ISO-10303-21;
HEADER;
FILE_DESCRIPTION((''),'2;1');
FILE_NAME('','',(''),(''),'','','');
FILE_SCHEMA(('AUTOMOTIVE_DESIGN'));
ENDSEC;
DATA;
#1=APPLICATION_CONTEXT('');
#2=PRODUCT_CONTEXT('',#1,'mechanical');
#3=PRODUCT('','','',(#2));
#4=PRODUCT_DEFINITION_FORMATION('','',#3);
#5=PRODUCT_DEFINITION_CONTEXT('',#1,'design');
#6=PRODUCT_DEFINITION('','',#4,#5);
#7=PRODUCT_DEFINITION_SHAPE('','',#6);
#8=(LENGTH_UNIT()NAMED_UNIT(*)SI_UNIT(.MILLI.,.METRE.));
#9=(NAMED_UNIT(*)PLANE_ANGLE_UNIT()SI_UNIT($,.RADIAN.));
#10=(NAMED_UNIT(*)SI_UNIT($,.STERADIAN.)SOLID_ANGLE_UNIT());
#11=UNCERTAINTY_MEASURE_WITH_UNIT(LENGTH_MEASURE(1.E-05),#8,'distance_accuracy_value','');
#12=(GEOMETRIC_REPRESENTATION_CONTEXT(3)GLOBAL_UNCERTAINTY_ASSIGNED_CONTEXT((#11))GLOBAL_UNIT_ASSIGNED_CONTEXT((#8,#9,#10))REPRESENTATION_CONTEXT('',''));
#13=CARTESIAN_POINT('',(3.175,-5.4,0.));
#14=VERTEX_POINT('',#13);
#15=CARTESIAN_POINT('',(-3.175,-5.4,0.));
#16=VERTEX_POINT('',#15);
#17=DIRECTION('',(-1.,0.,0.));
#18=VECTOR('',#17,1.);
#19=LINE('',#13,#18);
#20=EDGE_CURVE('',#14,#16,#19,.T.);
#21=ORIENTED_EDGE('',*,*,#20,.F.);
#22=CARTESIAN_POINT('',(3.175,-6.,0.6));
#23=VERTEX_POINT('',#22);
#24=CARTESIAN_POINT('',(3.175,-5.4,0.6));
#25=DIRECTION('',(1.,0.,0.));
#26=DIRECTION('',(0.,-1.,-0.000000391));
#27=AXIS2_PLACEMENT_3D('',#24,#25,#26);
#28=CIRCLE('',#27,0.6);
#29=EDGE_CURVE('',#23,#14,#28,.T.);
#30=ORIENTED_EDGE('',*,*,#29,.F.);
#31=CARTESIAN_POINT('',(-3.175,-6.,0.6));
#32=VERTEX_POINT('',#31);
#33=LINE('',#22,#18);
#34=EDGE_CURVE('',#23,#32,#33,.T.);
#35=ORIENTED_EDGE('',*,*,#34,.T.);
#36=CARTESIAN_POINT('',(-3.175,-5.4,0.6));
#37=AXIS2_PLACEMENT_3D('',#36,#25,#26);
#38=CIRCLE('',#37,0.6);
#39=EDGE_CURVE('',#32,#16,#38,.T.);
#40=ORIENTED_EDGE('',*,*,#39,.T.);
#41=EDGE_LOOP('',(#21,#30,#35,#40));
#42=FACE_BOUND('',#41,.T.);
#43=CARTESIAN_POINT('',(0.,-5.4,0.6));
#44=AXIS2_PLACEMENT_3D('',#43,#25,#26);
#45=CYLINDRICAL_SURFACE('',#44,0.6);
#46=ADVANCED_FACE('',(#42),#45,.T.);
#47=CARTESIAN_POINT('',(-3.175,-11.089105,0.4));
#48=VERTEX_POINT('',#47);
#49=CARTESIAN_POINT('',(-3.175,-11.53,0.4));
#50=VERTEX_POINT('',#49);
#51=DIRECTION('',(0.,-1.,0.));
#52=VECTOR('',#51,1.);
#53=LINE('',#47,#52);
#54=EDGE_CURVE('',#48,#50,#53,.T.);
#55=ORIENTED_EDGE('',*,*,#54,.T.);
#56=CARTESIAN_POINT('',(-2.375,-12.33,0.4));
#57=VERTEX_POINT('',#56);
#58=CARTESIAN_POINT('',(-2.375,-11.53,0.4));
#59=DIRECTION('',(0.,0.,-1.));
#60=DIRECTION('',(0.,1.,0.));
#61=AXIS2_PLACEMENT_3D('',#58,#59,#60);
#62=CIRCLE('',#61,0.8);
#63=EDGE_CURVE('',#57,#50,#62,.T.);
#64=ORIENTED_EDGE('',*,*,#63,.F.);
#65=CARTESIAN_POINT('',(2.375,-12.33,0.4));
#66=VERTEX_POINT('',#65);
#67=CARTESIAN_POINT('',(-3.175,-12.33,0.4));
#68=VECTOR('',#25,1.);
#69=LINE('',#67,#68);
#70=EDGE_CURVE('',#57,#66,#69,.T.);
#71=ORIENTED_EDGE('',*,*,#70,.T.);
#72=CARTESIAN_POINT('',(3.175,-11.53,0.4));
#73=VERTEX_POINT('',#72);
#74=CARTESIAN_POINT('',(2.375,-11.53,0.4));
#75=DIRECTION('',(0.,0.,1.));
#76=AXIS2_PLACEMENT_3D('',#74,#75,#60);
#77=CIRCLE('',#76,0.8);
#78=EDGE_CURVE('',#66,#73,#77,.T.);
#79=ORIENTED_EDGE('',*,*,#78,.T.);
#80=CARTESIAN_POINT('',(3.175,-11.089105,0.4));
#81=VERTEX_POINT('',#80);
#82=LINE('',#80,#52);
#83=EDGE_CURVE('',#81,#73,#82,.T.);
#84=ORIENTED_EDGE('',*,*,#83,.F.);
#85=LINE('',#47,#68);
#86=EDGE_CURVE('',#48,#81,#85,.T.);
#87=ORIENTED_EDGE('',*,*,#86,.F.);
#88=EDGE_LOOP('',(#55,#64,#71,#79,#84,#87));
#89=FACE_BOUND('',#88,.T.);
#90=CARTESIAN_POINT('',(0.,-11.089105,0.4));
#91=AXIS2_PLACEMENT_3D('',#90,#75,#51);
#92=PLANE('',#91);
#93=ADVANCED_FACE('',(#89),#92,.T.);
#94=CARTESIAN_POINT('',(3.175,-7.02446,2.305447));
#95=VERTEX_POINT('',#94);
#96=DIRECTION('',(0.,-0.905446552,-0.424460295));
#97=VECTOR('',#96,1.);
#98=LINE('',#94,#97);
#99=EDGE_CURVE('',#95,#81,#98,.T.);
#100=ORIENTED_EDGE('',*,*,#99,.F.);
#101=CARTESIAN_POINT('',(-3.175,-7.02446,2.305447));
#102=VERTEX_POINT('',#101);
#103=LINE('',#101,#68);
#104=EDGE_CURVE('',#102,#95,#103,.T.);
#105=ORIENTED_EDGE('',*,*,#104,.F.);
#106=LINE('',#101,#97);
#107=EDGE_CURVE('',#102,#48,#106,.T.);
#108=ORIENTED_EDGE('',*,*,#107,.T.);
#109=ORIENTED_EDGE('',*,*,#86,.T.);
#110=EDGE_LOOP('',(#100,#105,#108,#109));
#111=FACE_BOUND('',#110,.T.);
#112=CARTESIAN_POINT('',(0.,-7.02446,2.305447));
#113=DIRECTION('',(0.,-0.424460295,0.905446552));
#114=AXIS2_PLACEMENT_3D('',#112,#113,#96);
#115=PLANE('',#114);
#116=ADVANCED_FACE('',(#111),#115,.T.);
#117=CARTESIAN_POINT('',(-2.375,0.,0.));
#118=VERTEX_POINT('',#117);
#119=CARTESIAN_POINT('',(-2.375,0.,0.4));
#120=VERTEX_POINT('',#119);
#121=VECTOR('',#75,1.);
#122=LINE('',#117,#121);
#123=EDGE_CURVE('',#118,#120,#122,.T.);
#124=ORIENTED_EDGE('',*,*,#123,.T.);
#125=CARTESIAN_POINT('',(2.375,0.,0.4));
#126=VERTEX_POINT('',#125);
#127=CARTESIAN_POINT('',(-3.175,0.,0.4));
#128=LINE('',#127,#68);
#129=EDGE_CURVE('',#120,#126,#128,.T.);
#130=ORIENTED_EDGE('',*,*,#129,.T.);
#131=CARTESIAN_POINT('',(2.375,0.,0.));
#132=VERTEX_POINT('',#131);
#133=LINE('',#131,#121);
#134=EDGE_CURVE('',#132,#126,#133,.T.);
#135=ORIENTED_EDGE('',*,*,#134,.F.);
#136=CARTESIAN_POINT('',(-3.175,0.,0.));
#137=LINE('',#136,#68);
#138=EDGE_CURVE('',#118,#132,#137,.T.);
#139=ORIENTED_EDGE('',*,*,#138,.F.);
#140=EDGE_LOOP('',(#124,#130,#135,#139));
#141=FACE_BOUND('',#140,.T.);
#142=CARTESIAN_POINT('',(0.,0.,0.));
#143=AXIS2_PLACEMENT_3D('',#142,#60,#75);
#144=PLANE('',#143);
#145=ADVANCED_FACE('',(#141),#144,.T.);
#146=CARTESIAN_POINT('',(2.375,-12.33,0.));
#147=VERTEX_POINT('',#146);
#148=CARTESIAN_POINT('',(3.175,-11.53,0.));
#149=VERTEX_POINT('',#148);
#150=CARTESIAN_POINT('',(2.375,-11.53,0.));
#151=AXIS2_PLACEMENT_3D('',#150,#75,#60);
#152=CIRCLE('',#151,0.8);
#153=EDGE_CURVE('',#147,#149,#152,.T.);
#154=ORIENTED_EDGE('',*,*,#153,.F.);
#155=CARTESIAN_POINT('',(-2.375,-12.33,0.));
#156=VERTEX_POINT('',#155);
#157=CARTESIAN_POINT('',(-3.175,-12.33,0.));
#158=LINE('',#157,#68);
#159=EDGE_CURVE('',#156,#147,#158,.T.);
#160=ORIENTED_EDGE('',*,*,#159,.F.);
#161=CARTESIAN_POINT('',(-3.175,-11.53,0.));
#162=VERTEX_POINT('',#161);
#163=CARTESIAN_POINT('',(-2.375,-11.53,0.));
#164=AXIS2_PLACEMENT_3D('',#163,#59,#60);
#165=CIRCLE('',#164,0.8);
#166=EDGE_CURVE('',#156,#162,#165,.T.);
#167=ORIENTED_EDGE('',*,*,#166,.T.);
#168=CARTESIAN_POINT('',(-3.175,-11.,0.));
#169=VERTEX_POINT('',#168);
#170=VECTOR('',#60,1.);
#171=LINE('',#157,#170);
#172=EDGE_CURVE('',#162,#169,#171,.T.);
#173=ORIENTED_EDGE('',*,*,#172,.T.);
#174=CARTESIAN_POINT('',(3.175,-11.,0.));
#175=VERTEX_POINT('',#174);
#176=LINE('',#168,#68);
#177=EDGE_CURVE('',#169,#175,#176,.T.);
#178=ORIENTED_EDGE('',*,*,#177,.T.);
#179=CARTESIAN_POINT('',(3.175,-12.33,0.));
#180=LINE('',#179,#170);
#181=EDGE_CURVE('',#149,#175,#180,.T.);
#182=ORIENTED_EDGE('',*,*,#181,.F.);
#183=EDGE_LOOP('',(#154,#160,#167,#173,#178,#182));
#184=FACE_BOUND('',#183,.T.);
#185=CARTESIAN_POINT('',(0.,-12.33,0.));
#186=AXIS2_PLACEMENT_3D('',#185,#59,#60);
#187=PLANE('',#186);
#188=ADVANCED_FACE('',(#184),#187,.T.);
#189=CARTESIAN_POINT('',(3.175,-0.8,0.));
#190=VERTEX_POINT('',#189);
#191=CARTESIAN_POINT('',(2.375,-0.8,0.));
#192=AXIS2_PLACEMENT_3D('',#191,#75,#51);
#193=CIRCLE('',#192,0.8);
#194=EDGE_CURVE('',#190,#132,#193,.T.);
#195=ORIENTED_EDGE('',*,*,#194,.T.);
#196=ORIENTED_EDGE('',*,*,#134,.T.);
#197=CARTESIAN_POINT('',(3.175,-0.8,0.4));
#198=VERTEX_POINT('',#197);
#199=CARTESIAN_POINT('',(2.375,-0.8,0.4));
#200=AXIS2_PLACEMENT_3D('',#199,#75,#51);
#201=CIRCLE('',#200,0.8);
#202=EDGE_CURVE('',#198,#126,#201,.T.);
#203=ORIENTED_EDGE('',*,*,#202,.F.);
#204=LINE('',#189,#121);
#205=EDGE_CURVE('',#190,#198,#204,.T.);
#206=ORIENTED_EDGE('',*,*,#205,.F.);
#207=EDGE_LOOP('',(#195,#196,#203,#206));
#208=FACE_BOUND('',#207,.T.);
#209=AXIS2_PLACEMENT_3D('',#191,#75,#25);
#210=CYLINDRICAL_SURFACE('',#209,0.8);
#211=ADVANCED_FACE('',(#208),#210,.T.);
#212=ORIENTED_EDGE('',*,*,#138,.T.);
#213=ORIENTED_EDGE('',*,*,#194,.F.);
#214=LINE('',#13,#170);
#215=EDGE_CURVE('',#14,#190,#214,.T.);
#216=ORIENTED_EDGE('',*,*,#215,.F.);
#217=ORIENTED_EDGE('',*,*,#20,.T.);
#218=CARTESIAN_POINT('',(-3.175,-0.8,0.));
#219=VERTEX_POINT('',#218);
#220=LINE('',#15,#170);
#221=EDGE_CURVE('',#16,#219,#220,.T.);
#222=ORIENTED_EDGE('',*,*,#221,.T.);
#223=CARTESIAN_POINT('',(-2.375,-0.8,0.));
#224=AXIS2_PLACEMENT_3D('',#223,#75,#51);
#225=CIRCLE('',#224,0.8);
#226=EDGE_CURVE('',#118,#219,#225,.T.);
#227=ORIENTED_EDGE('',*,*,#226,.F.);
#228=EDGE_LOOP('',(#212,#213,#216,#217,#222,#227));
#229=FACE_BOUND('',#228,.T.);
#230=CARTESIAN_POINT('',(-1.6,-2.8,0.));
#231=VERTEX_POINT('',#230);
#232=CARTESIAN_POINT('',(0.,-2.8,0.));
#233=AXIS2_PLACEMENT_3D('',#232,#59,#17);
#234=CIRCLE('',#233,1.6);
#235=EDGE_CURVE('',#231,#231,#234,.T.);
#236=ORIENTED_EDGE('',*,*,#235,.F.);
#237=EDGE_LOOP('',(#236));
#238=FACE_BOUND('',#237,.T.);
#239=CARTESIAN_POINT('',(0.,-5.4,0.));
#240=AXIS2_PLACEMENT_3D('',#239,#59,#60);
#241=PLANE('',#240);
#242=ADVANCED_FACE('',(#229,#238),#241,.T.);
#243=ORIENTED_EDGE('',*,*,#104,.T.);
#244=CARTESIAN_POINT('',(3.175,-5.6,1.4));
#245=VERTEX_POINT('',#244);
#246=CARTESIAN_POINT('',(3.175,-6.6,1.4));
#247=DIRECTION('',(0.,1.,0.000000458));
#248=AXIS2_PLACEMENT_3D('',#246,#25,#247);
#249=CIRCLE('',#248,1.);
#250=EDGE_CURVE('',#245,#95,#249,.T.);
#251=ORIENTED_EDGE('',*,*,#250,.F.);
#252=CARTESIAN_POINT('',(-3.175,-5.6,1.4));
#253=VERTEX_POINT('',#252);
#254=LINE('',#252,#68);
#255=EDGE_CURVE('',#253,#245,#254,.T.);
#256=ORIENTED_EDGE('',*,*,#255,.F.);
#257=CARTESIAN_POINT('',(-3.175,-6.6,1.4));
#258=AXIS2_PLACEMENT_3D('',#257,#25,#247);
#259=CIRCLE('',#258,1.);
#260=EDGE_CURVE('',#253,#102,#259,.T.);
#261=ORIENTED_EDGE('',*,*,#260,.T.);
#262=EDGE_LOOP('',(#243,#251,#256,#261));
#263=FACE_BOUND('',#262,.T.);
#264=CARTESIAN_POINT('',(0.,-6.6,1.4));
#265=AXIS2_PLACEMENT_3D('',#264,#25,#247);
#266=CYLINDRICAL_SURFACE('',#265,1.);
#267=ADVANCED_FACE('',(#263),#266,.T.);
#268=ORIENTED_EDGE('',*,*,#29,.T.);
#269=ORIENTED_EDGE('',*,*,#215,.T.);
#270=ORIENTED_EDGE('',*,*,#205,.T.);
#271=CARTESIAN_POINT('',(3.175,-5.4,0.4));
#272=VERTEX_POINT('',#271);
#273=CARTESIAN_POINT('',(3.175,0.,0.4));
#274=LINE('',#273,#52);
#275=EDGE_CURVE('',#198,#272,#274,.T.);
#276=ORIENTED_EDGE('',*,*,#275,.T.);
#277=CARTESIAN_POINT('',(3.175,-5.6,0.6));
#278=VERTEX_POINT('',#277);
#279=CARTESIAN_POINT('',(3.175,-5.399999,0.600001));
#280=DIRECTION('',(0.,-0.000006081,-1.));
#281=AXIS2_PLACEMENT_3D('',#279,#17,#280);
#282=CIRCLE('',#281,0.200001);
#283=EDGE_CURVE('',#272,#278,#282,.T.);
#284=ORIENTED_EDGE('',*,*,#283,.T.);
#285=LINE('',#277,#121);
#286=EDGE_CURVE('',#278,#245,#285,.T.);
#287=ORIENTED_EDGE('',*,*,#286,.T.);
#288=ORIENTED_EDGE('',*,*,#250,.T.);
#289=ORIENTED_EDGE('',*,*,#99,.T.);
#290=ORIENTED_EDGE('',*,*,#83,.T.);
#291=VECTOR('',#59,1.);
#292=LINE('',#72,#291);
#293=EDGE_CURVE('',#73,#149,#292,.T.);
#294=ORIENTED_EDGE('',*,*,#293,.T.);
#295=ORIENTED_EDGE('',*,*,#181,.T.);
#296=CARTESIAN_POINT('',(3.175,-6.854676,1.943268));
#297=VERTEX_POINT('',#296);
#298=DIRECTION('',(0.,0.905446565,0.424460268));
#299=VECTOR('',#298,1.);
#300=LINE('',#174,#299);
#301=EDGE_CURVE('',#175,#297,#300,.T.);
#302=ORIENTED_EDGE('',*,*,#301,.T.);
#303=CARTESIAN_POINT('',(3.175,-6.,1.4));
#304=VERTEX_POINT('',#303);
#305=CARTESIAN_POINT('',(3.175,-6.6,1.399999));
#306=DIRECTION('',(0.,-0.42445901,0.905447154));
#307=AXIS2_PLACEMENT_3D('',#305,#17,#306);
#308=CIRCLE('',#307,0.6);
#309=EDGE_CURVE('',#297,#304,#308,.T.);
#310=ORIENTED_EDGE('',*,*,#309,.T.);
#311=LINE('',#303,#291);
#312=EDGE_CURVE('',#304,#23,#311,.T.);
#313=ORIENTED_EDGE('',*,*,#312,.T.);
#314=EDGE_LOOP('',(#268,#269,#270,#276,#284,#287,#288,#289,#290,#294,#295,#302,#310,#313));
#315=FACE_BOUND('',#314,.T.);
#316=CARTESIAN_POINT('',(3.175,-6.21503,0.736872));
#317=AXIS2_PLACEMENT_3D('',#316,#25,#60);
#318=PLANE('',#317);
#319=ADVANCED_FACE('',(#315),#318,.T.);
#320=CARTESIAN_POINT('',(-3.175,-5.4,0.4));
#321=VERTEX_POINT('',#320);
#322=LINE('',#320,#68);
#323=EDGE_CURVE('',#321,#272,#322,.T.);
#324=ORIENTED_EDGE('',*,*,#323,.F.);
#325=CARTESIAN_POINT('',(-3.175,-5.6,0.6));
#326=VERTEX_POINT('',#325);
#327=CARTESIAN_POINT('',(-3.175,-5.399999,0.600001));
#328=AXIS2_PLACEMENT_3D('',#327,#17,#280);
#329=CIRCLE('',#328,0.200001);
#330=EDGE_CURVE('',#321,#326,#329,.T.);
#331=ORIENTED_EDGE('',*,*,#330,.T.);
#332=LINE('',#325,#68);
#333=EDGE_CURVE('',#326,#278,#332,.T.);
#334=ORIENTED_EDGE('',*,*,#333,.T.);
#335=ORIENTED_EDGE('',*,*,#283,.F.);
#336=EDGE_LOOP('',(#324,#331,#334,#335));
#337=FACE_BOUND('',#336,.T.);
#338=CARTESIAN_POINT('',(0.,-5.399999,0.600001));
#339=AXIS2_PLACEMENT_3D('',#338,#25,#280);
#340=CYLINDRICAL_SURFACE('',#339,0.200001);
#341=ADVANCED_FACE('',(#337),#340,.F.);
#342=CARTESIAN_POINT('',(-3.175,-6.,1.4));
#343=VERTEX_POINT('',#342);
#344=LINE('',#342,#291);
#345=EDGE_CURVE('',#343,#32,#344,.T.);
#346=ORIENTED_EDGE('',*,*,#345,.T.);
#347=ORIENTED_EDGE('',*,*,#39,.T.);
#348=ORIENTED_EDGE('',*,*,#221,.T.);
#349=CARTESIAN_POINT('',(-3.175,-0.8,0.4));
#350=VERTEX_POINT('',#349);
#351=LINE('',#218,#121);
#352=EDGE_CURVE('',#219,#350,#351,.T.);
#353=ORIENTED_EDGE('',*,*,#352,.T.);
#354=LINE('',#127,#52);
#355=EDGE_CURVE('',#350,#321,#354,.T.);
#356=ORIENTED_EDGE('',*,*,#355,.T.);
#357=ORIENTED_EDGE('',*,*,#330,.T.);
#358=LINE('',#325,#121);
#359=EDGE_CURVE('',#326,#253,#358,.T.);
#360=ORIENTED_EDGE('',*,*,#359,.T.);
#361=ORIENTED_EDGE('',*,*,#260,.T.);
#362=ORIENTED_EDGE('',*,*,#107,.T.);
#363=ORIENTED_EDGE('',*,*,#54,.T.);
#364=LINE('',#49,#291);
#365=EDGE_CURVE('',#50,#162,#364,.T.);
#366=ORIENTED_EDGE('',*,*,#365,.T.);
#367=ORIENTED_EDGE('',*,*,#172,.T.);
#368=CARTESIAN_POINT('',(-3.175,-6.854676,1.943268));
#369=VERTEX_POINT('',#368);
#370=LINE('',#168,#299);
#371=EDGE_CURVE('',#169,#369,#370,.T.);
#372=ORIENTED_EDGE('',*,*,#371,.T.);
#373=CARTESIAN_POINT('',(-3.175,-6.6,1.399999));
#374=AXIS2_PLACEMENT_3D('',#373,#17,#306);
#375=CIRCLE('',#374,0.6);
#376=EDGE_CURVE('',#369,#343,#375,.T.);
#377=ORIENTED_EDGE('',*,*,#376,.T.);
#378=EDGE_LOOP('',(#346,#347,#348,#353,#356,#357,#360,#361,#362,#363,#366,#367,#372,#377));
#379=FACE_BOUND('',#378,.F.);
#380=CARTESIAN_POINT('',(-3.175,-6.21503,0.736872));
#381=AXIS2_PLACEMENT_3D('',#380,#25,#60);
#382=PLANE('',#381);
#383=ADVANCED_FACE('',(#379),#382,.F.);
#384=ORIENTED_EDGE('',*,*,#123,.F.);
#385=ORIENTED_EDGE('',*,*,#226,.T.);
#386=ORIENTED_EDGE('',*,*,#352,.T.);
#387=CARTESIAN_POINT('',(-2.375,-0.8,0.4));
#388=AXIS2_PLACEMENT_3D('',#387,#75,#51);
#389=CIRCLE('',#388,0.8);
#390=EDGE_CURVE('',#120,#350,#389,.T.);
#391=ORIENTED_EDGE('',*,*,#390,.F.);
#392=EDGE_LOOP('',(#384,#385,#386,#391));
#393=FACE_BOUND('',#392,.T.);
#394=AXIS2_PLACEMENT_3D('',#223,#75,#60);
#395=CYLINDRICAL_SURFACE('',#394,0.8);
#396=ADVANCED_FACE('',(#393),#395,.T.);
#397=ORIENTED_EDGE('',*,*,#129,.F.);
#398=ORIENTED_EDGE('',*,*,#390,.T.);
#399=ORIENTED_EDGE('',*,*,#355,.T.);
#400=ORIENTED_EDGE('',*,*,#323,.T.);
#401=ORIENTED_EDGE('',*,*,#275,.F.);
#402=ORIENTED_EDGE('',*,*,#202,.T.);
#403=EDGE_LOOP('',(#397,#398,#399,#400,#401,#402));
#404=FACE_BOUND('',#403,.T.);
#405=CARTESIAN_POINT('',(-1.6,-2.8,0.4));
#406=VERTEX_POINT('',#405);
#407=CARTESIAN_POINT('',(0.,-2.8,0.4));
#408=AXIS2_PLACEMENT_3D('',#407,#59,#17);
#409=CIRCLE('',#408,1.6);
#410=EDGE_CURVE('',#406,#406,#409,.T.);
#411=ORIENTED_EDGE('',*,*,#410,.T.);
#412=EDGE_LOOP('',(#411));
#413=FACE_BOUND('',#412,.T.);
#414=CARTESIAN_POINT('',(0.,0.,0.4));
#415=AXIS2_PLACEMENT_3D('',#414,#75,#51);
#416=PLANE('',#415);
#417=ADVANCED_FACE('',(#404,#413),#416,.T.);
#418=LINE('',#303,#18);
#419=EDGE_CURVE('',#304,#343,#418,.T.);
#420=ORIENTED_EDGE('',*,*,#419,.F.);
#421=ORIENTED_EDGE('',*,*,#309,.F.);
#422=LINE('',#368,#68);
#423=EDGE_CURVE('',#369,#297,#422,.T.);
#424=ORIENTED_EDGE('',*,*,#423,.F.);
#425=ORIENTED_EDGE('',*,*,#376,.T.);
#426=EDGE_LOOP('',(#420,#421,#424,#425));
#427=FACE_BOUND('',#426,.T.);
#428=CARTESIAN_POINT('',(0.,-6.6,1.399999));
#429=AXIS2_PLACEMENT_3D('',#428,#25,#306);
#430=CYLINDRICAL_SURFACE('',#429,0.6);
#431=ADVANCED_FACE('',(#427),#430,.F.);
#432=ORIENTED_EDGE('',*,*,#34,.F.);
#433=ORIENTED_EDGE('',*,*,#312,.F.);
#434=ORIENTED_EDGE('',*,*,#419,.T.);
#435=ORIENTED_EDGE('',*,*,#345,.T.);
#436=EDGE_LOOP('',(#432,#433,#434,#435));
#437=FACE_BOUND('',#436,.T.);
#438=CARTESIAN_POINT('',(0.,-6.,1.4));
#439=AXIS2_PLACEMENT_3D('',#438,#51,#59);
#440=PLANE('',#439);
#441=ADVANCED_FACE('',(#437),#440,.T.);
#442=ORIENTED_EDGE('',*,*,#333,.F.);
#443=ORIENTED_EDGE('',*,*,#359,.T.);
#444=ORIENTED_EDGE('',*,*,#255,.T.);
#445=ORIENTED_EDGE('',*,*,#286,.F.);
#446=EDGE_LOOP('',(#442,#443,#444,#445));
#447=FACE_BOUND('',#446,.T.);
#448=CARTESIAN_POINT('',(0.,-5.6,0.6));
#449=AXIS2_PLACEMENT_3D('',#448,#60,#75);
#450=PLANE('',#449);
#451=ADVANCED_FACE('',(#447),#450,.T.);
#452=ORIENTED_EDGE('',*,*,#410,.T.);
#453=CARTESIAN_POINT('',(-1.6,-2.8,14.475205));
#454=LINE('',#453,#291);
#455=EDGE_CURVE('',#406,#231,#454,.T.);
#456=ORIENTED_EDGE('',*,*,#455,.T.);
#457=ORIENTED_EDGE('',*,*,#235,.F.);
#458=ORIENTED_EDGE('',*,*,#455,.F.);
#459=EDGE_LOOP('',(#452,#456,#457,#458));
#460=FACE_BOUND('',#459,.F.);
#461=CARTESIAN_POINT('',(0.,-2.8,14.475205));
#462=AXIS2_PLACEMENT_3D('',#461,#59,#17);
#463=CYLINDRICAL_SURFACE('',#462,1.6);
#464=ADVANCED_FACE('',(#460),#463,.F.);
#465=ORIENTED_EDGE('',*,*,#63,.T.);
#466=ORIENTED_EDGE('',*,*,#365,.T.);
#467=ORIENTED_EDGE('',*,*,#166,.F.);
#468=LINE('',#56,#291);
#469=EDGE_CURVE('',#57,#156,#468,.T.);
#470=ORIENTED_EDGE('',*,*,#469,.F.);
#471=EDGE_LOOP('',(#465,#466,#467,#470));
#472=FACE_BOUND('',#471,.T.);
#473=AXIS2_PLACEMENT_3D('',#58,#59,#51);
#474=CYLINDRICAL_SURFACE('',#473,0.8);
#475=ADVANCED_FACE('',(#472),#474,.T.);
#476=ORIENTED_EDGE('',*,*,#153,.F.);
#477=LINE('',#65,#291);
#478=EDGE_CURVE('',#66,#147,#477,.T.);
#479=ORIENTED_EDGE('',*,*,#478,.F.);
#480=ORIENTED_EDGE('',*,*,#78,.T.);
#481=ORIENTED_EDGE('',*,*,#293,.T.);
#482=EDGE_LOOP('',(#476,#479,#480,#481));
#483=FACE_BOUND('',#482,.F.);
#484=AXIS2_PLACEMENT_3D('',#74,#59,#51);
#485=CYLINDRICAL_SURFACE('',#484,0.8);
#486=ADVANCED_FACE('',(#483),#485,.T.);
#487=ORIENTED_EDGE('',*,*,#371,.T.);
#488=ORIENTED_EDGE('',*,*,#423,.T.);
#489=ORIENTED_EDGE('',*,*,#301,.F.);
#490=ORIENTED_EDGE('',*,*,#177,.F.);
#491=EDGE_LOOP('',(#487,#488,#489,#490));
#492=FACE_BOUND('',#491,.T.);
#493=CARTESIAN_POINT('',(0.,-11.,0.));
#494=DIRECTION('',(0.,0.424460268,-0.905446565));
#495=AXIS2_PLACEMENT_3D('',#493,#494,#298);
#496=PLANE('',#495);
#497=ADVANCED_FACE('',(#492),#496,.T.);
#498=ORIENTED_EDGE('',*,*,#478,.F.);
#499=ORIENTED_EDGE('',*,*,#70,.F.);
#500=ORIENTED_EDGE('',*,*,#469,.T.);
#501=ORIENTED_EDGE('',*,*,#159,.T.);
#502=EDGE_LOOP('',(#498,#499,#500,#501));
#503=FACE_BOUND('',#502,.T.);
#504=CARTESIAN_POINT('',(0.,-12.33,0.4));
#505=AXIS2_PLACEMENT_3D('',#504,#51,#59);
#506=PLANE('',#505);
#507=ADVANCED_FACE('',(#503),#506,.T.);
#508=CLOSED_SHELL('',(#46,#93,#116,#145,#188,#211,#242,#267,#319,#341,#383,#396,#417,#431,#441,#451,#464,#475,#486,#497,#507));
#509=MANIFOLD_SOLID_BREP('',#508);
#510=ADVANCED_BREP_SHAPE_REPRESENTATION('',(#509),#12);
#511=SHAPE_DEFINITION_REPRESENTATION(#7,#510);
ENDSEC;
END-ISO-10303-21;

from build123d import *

# Parameters (mm, degrees)
F1_DEPTH = 3.175
F2_R     = 0.8
F4_D     = 3.2


with BuildPart() as f1:
    # F0 (on Right) → F1 (new body, symmetric)
    with BuildSketch(Plane.YZ):
        with BuildLine():
            Line((-5.4, 0), (0, 0))
            Line((0, 0), (0, 0.4))
            Line((0, 0.4), (-5.4, 0.4))
            ThreePointArc((-5.4, 0.4), (-5.541421, 0.458579), (-5.6, 0.6))
            Line((-5.6, 0.6), (-5.6, 1.4))
            ThreePointArc((-5.6, 1.4), (-6.063558, 2.243937), (-7.02446, 2.305447))
            Line((-7.02446, 2.305447), (-11.089105, 0.4))
            Line((-11.089105, 0.4), (-12.33, 0.4))
            Line((-12.33, 0.4), (-12.33, 0))
            Line((-12.33, 0), (-11, 0))
            Line((-11, 0), (-6.854676, 1.943268))
            ThreePointArc((-6.854676, 1.943268), (-6.278135, 1.906362), (-6, 1.4))
            Line((-6, 1.4), (-6, 0.6))
            ThreePointArc((-6, 0.6), (-5.824264, 0.175736), (-5.4, 0))
        make_face()
    extrude(amount=F1_DEPTH, both=True)

    # F2
    f2_edges = [f1.edges().sort_by_distance(p)[0] for p in [
        (3.175, -12.33, 0.2),
        (-3.175, -12.33, 0.2),
        (3.175, 0, 0.2),
        (-3.175, 0, 0.2),
    ]]
    fillet(f2_edges, radius=F2_R)

    # F4 (through all)
    with Locations(Plane.XY.offset(0.4)):
        with Locations((0, -2.8)):
            Hole(F4_D / 2)


solid = f1.part
